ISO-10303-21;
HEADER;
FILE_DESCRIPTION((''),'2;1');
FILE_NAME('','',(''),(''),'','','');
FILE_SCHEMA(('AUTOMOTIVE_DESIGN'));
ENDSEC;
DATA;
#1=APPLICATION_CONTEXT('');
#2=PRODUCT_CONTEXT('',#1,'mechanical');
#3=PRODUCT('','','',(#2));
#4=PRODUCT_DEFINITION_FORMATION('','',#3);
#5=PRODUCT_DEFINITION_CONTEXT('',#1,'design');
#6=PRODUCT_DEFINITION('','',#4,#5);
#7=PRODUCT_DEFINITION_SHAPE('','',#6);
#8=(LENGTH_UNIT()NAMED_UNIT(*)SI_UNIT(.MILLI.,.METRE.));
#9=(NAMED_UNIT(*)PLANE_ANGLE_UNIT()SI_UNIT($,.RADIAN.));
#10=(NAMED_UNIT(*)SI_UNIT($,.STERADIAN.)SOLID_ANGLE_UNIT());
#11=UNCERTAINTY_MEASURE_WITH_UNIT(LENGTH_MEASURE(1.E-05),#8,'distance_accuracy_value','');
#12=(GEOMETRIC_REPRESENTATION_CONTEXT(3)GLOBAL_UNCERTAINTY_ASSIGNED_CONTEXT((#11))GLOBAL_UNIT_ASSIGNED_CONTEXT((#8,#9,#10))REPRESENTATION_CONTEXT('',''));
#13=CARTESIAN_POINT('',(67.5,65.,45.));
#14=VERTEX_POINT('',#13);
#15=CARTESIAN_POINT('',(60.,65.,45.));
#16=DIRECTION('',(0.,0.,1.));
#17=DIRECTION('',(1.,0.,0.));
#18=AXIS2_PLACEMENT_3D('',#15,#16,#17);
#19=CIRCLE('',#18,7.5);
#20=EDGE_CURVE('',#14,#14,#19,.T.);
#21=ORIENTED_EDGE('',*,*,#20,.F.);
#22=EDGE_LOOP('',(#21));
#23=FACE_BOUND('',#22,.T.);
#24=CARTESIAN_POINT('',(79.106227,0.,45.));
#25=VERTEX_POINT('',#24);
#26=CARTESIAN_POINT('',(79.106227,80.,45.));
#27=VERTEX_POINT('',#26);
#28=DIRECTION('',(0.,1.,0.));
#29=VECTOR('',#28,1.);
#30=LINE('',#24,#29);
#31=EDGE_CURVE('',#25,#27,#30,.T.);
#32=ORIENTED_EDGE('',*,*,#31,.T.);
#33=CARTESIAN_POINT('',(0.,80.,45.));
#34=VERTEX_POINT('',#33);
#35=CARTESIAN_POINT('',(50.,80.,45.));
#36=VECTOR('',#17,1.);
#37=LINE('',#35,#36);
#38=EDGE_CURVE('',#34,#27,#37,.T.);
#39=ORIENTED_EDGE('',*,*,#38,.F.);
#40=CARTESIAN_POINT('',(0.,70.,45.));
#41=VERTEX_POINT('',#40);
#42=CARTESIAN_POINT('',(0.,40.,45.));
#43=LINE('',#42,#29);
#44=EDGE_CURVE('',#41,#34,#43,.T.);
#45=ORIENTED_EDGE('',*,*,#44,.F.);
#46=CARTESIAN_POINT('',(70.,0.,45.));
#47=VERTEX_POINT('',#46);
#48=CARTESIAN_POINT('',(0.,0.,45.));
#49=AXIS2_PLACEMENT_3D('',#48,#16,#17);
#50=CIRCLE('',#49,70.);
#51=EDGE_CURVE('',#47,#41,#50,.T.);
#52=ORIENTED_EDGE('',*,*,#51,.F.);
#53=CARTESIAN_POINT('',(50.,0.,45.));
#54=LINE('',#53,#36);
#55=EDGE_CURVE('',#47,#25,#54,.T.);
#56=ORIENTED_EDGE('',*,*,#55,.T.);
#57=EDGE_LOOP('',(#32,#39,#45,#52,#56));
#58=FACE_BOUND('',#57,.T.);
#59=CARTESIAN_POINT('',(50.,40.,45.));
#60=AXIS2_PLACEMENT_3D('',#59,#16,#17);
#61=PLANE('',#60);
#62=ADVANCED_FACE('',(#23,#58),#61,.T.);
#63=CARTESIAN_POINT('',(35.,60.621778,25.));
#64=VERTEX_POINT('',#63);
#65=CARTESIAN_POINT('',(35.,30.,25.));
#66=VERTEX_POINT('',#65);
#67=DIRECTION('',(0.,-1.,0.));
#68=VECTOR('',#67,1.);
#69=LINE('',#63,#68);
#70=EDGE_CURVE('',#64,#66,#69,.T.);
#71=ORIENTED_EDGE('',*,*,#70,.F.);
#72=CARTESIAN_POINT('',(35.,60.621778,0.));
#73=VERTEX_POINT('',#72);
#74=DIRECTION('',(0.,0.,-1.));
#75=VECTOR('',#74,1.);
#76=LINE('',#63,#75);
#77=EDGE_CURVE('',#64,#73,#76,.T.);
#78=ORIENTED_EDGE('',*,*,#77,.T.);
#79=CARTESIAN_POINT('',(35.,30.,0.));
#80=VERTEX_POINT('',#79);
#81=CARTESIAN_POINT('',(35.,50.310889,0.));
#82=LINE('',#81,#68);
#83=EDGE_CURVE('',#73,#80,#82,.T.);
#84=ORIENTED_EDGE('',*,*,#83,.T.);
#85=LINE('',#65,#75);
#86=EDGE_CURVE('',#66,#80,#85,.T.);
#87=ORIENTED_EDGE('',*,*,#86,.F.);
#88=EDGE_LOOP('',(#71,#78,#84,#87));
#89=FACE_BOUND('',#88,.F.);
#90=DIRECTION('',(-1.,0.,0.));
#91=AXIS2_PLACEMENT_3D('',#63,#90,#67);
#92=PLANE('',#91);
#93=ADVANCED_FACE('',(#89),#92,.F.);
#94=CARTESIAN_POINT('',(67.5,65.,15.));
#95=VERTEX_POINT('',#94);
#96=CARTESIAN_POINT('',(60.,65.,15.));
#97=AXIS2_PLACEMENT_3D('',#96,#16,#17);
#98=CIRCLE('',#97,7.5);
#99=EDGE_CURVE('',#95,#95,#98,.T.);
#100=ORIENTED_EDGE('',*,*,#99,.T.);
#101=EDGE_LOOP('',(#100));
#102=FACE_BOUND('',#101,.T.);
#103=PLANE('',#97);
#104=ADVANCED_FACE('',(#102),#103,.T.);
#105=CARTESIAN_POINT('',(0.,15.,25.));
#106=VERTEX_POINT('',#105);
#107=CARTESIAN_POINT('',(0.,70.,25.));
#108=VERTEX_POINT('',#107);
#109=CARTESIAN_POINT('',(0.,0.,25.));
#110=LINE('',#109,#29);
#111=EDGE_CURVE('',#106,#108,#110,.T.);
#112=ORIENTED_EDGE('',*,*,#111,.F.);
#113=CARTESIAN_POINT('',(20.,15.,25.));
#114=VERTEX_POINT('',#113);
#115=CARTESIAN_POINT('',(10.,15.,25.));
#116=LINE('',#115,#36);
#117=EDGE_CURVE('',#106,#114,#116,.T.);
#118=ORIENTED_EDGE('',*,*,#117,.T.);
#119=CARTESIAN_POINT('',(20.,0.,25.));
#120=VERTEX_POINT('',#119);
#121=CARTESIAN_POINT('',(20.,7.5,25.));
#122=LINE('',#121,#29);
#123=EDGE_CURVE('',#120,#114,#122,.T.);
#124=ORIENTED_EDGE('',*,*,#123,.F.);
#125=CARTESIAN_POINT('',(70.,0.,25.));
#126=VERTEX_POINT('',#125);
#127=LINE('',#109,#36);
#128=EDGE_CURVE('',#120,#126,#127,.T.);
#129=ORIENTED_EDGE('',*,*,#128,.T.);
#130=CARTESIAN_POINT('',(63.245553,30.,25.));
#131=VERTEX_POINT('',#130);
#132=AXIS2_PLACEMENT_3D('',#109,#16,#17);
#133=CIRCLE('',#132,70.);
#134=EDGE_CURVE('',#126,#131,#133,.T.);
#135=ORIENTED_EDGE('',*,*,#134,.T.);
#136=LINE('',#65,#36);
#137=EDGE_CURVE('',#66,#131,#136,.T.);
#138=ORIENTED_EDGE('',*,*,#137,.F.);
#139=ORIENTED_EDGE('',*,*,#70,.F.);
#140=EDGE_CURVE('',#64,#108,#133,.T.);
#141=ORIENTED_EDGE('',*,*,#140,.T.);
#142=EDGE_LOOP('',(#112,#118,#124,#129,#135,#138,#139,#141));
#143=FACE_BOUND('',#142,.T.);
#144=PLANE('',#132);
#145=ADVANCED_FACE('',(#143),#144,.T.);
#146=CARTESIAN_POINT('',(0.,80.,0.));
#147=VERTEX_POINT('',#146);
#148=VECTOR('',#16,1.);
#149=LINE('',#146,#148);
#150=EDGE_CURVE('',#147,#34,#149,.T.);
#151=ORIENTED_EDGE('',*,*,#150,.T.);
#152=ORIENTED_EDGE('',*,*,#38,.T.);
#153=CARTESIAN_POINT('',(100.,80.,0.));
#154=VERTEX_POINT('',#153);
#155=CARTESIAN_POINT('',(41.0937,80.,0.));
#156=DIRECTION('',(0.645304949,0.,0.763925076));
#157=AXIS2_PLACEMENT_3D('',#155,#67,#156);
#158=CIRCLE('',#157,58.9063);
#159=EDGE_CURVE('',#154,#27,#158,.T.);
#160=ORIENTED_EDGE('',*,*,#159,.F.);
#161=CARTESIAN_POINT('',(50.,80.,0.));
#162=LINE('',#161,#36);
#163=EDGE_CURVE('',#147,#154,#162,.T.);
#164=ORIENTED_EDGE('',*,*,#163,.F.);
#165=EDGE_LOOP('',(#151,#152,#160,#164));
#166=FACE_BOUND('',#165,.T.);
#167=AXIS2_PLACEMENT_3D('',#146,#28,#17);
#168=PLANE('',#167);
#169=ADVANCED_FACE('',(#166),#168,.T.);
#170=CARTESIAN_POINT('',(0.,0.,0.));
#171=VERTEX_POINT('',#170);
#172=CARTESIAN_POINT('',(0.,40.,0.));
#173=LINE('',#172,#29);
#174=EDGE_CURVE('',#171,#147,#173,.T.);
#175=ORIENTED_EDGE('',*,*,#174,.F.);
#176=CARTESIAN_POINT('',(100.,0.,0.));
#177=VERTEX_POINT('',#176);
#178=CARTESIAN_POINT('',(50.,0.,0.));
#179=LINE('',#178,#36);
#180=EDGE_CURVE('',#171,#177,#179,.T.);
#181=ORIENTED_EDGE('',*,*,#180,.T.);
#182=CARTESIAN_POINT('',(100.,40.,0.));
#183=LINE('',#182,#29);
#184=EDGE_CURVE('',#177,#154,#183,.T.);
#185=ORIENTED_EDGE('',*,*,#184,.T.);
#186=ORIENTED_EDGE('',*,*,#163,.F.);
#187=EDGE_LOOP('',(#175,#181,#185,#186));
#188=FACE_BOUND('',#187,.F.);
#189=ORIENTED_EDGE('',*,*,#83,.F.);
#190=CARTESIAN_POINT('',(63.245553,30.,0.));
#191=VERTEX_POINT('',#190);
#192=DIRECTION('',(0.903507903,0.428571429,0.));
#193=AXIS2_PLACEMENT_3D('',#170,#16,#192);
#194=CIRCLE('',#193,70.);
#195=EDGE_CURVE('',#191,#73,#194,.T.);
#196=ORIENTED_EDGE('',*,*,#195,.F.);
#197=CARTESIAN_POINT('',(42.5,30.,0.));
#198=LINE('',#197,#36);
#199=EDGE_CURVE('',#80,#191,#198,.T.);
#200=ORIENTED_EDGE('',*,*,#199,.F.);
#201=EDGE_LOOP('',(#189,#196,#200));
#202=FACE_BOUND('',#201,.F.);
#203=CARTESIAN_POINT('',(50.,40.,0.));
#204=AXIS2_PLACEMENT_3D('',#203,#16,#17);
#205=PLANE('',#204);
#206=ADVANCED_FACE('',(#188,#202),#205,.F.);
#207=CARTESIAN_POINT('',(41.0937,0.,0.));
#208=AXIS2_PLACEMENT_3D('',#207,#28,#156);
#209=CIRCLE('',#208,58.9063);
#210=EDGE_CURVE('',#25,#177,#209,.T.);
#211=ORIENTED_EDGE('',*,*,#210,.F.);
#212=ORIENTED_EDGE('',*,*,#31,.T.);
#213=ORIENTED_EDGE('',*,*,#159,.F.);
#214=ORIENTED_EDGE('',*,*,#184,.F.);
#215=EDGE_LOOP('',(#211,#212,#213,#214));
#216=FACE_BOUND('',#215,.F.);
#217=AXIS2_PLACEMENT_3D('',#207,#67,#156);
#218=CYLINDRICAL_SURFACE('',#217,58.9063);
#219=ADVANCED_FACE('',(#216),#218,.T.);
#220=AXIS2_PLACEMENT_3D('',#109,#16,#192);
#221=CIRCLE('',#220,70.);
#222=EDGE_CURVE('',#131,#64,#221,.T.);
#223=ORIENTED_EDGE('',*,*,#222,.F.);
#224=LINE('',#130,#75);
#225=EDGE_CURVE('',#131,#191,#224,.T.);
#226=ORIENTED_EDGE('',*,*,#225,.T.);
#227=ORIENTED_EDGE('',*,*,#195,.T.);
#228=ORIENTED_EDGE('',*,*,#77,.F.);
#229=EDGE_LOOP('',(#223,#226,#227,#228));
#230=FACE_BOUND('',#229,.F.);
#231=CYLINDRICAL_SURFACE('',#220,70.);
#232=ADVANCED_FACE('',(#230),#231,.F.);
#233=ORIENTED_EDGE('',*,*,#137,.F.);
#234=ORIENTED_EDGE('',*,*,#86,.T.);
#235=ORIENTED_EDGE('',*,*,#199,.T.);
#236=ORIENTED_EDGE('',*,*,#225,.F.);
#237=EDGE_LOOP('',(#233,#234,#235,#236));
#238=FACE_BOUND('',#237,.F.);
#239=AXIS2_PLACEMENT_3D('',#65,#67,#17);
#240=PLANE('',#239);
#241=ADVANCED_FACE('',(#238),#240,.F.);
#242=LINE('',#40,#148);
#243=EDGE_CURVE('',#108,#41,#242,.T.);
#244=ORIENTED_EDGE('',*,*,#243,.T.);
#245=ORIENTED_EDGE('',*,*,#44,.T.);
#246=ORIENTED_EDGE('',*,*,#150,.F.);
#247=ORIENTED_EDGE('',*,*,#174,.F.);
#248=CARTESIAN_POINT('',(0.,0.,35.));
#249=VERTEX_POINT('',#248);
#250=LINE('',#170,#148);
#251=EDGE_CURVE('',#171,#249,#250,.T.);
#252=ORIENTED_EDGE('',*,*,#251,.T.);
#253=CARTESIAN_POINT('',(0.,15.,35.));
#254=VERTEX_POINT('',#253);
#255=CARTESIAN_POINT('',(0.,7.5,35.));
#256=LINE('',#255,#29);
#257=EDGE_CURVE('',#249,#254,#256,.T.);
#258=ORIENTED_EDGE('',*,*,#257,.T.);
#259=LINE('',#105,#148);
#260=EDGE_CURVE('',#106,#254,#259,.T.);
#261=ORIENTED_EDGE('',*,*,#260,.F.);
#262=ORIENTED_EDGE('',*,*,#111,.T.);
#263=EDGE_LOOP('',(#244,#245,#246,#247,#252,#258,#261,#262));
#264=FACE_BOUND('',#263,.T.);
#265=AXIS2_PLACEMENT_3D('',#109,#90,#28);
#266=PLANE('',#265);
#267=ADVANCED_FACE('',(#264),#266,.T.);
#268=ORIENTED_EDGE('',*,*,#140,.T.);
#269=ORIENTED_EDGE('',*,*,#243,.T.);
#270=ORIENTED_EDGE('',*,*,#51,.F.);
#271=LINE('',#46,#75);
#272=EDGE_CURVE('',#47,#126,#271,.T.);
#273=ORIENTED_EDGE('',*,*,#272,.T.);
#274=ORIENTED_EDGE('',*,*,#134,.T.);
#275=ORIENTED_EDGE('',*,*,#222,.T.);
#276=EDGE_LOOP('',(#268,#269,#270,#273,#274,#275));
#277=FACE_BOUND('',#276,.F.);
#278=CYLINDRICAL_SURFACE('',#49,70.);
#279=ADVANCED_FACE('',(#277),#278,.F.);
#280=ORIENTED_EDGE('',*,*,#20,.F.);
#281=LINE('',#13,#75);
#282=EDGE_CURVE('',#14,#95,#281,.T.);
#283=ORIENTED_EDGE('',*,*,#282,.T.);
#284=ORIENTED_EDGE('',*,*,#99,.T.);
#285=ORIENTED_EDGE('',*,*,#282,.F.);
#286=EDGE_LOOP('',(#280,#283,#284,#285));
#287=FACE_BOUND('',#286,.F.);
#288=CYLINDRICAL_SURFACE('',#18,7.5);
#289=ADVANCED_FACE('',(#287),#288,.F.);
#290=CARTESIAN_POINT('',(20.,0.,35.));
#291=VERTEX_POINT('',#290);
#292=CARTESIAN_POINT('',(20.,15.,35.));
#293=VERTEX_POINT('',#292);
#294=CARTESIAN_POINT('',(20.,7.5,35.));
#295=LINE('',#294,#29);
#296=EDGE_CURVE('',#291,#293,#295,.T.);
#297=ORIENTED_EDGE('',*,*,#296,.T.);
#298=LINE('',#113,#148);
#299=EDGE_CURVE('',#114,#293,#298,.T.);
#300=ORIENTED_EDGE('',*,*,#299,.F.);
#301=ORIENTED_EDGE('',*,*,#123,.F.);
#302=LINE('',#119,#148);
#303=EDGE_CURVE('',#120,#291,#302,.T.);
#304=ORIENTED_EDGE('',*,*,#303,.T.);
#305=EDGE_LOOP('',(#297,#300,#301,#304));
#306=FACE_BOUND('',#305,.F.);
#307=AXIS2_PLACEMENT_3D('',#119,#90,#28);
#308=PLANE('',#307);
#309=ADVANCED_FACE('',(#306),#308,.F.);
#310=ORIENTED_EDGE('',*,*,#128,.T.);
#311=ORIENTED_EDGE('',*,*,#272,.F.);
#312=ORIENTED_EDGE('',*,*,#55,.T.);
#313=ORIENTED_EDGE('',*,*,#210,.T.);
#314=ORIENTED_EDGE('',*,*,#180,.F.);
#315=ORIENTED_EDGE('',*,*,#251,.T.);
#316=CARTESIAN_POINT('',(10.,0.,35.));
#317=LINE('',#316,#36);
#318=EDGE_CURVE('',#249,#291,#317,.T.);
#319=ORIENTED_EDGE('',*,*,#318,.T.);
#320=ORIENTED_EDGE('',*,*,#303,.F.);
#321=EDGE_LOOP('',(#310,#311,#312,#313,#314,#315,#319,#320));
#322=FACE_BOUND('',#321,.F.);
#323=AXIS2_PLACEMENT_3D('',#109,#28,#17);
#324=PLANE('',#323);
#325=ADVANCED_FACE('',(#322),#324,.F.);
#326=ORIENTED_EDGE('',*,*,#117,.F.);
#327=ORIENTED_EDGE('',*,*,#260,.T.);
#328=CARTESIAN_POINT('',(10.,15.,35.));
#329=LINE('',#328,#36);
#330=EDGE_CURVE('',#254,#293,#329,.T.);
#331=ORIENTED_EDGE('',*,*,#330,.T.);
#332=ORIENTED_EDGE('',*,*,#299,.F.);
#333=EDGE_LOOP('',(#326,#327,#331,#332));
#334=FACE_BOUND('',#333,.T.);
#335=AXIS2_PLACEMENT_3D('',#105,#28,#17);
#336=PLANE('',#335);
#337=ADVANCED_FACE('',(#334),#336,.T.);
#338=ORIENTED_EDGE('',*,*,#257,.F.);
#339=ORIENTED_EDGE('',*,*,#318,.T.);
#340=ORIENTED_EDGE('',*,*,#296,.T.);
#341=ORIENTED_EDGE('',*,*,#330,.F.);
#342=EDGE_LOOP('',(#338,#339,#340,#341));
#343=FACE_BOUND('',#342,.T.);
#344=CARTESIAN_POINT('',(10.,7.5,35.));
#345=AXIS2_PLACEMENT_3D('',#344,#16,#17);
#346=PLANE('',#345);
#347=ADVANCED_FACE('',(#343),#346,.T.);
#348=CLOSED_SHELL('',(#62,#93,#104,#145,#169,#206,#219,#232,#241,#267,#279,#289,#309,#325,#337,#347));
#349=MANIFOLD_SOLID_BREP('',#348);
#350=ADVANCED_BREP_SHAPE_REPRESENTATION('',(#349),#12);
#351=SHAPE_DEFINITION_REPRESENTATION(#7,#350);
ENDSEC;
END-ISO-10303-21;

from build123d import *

# Parameters (mm, degrees)
F0_W      = 100
F0_H      = 80
F1_DEPTH  = 45
F5_R      = 7.5
F6_DEPTH  = 30
F8_DEPTH  = 80.001
F9_R      = 70
F10_DEPTH = 20
F11_W     = 20
F11_H     = 15
F12_DEPTH = 10
F14_DEPTH = 25.001


with BuildPart() as f1:
    # F0 (on Top) → F1 (new body)
    with BuildSketch(Plane.XY):
        with Locations((50, 40)):
            Rectangle(F0_W, F0_H)
    extrude(amount=F1_DEPTH)

    # F5 (on face) → F6 (cut, through all)
    with BuildSketch(Plane.XY.offset(45)):
        with Locations((60, 65)):
            Circle(F5_R)
    extrude(amount=-F6_DEPTH, mode=Mode.SUBTRACT)

    # F7 (on face) → F8 (cut, through all)
    with BuildSketch(Plane.XZ):
        with BuildLine():
            ThreePointArc((79.1062268166, 45), (94.5218269018, 24.8070038388), (100, 0))
            Line((100, 0), (100, 45))
            Line((100, 45), (79.1062268166, 45))
        make_face()
    extrude(amount=-F8_DEPTH, mode=Mode.SUBTRACT)

    # F9 (on face) → F10 (cut, through all)
    with BuildSketch(Plane.XY.offset(45)):
        Circle(F9_R)
    extrude(amount=-F10_DEPTH, mode=Mode.SUBTRACT)

    # F11 (on face) → F12 (join, through all)
    with BuildSketch(Plane.XY.offset(25)):
        with Locations((10, 7.5)):
            Rectangle(F11_W, F11_H)
    extrude(amount=F12_DEPTH)

    # F13 (on face) → F14 (cut, through all)
    with BuildSketch(Plane.XY.offset(25)):
        with BuildLine():
            Line((35, 30), (63.2455532034, 30))
            ThreePointArc((63.2455532034, 30), (51.4535762322, 47.4608206094), (35, 60.6217782649))
            Line((35, 60.6217782649), (35, 30))
        make_face()
    extrude(amount=-F14_DEPTH, mode=Mode.SUBTRACT)


solid = f1.part
